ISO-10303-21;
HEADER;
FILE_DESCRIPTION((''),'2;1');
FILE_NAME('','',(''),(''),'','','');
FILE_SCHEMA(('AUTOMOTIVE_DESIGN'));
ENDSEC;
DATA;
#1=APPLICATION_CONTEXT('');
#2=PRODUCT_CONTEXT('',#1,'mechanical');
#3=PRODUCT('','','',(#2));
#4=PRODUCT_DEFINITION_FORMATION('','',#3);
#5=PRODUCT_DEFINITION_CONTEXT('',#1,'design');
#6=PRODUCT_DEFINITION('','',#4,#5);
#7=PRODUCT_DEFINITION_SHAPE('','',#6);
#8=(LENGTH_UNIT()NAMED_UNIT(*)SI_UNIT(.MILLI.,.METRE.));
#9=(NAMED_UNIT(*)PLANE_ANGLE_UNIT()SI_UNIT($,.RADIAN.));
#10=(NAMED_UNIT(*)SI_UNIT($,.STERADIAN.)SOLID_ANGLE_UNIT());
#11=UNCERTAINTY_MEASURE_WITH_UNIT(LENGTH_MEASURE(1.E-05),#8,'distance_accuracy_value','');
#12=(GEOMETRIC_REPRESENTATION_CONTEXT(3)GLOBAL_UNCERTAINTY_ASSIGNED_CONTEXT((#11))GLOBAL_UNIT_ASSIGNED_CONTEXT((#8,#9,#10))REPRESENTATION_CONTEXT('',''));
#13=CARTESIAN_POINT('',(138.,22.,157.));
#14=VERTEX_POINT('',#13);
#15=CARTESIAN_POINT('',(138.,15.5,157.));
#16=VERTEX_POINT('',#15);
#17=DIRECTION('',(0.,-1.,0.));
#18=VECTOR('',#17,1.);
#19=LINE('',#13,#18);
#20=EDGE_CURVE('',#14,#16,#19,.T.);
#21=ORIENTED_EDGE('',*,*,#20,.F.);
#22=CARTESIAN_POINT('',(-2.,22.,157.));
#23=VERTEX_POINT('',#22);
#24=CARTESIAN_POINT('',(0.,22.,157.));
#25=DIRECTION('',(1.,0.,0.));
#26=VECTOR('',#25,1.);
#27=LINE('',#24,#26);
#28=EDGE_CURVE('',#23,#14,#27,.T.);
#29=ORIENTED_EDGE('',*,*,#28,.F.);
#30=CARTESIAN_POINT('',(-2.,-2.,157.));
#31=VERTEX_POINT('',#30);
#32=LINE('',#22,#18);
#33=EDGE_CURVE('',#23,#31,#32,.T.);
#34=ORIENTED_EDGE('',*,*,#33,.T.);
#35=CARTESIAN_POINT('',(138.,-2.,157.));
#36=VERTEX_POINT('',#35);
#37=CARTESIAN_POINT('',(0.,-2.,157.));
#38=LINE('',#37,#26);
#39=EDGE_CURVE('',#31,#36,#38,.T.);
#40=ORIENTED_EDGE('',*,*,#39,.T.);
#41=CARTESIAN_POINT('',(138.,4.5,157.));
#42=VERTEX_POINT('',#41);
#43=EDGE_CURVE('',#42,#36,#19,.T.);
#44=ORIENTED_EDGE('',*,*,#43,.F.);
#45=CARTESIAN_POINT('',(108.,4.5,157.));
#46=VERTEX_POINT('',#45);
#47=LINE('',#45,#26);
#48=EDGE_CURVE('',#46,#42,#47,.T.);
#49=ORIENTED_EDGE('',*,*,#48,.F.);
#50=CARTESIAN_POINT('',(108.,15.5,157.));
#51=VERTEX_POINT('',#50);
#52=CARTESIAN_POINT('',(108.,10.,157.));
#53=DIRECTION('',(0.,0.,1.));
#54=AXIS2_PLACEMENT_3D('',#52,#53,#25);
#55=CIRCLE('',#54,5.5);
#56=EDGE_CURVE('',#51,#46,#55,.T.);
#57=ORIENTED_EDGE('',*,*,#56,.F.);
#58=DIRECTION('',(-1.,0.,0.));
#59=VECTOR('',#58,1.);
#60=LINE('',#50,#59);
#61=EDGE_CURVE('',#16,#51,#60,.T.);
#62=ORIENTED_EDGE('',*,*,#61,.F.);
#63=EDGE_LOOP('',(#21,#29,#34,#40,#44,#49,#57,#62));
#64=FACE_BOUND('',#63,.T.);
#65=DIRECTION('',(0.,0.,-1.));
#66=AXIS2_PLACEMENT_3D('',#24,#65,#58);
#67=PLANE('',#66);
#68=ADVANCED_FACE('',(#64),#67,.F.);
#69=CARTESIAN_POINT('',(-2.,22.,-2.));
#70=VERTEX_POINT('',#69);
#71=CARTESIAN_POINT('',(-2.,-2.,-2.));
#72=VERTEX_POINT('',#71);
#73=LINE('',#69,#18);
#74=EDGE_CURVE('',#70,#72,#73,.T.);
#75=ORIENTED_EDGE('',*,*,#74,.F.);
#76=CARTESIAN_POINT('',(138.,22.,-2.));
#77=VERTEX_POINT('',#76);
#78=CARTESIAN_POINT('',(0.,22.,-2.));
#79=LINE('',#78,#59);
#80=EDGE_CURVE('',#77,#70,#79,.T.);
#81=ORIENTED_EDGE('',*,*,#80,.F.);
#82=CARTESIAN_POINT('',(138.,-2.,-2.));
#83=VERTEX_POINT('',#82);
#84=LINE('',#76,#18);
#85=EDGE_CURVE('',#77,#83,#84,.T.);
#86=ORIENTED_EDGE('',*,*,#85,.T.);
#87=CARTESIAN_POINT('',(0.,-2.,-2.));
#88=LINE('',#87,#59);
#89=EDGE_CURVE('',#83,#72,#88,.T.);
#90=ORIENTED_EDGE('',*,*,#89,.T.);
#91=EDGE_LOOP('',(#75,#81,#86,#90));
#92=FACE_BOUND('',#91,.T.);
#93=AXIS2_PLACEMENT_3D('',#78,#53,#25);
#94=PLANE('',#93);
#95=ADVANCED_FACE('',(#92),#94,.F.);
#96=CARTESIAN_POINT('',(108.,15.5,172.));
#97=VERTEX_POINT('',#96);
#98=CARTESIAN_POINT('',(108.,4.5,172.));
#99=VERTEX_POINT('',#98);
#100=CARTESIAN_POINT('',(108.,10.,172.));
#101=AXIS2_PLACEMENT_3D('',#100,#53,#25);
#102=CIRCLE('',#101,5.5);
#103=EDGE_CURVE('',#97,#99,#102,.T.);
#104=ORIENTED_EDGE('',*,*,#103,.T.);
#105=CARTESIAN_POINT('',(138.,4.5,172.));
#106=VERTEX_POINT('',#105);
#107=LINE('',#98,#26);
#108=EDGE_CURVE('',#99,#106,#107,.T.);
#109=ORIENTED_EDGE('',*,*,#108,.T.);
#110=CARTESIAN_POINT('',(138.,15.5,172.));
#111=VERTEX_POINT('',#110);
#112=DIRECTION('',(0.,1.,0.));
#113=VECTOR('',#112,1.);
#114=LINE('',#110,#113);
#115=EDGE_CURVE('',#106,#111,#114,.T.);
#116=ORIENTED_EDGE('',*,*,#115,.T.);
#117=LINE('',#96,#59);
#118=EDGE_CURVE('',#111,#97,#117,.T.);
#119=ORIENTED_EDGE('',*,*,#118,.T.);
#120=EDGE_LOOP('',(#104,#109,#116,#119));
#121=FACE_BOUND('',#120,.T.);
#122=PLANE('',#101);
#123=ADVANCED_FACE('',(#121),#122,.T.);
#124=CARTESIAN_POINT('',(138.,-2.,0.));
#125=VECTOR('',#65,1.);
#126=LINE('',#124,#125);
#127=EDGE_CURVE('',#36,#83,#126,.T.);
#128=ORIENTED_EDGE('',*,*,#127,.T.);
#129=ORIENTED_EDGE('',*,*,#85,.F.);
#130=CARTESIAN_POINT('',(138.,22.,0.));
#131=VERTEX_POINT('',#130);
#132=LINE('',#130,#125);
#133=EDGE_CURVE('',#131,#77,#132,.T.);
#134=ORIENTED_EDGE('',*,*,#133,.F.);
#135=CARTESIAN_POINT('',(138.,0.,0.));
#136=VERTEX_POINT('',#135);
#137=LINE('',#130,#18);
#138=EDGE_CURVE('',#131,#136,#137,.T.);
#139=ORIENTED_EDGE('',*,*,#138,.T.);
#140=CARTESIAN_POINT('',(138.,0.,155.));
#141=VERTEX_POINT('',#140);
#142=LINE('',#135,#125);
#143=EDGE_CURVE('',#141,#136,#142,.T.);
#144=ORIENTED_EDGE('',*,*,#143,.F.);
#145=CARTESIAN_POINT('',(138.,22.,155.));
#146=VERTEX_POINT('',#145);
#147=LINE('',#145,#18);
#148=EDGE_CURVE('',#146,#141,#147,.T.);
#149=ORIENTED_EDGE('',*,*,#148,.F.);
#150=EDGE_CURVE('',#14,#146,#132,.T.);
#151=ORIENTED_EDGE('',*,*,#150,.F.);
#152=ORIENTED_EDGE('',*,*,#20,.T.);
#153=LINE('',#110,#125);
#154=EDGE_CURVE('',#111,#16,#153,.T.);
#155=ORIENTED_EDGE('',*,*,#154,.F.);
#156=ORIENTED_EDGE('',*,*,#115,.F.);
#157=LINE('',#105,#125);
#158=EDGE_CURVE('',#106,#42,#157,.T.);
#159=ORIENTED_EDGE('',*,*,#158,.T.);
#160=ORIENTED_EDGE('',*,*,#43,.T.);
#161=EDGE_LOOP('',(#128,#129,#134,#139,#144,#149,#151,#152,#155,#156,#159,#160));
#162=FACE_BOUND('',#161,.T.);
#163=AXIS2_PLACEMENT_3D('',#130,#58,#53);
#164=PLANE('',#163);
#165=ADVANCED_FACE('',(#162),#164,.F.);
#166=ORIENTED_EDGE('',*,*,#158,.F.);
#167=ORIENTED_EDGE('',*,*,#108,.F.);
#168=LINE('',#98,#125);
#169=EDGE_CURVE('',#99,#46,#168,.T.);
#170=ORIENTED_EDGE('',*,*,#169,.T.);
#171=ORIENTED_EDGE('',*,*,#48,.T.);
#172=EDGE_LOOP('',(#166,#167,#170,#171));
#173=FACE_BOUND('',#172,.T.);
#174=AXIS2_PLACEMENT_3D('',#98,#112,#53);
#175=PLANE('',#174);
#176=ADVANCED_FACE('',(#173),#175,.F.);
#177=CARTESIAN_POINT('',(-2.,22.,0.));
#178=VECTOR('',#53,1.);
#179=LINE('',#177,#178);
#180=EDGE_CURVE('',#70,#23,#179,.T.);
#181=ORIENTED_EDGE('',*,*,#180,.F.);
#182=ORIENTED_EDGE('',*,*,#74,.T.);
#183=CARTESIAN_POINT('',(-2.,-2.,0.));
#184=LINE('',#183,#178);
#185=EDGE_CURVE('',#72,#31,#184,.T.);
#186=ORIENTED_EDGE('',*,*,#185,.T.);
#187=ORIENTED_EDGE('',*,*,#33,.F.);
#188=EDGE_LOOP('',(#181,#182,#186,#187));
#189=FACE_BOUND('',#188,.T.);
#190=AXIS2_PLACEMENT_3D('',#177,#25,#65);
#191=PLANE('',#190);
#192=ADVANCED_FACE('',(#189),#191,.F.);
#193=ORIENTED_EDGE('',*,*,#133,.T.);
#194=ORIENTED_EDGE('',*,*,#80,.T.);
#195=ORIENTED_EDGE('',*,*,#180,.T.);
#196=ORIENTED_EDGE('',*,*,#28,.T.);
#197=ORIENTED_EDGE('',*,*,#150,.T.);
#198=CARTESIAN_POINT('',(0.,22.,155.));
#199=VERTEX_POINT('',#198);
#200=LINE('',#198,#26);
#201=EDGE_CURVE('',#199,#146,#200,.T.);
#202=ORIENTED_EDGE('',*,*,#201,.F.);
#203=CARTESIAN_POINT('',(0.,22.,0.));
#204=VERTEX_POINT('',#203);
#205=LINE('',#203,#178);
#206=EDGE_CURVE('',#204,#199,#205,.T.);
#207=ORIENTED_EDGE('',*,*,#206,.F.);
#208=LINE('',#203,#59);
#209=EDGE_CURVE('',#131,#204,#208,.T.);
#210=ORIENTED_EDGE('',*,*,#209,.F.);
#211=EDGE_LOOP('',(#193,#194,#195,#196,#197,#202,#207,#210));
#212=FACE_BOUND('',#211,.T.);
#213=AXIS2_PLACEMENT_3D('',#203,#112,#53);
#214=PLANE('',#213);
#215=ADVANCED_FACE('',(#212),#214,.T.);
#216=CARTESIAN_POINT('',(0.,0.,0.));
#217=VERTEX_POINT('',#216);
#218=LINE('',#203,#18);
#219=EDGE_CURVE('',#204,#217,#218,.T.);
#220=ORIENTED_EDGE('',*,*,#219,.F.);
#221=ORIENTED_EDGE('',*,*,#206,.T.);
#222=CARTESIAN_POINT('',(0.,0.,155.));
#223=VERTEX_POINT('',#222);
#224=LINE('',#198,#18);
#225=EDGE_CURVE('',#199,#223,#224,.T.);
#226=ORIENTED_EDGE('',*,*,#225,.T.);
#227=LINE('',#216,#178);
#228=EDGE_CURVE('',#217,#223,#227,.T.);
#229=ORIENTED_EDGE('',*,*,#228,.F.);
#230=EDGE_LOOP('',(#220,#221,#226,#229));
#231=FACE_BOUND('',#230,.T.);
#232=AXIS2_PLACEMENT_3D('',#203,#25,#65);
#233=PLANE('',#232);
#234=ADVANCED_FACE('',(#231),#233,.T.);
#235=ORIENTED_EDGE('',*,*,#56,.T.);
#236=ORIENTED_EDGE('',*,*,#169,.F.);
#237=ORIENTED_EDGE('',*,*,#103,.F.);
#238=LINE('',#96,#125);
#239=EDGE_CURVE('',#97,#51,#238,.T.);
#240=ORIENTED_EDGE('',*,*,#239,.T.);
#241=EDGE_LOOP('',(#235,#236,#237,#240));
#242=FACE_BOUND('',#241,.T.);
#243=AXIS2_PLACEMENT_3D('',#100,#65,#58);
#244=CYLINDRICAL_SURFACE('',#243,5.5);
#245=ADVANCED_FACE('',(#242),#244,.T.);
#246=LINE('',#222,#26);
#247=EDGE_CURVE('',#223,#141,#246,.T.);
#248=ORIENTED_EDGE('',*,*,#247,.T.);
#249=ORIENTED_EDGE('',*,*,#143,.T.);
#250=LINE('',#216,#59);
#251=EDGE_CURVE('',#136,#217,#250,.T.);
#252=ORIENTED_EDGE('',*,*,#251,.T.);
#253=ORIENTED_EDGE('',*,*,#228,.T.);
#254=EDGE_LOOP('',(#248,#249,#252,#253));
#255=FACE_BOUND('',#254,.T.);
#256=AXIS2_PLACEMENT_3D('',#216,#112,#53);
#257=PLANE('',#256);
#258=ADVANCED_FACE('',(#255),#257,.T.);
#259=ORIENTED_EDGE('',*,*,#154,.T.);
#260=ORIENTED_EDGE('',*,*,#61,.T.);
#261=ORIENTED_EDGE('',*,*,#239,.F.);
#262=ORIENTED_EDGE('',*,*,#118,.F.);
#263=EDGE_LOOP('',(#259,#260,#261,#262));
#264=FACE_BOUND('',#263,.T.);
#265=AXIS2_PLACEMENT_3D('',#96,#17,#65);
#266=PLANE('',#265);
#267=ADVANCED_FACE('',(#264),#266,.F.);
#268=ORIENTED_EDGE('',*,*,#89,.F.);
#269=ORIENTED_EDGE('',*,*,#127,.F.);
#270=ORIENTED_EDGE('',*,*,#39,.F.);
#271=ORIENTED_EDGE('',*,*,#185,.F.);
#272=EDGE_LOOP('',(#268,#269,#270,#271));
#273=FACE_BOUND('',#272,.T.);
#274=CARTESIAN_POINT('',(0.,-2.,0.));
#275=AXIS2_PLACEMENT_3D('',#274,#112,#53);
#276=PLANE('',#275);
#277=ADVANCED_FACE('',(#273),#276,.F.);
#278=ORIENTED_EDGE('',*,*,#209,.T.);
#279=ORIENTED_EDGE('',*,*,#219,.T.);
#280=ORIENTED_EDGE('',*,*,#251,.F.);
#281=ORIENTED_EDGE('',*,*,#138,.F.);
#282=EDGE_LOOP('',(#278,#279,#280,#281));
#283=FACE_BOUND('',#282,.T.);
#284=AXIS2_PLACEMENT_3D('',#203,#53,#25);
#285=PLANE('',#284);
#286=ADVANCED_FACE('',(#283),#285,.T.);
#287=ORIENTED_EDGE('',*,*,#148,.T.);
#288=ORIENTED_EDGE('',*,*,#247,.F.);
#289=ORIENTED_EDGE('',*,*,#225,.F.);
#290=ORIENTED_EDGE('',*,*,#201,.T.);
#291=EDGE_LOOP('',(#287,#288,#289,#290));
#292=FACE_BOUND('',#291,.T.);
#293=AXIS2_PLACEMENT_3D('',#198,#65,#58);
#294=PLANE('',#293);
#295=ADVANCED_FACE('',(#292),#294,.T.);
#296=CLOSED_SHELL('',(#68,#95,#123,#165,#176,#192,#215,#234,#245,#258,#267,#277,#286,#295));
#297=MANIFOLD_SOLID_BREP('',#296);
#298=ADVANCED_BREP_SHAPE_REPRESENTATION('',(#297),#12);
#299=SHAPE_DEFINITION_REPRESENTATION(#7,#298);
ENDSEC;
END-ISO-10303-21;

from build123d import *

# Parameters (mm, degrees)
SKETCH_1_W      = 138
SKETCH_1_H      = 155
EXTRUDE_1_DEPTH = 22
SHELL_1_T       = 2
EXTRUDE_2_DEPTH = 15


with BuildPart() as part:
    # 草图1 → 凸台-拉伸1 (new body)
    with BuildSketch(Plane(origin=(0, 0, 0), x_dir=(1, 0, 0), z_dir=(0, 1, 0))):
        with Locations((69, -77.5)):
            Rectangle(SKETCH_1_W, SKETCH_1_H)
    extrude(amount=EXTRUDE_1_DEPTH)

    # 抽壳1
    shell_1_openings = [part.faces().sort_by_distance(p)[0] for p in [
        (138, 11, 77.5),
        (69, 22, 77.5),
    ]]
    offset(amount=SHELL_1_T, openings=shell_1_openings, kind=Kind.INTERSECTION)

    # 草图2 → 凸台-拉伸2 (add)
    with BuildSketch(Plane.XY.offset(157)):
        with BuildLine():
            Line((108, 15.5), (138, 15.5))
            Line((138, 15.5), (138, 4.5))
            Line((138, 4.5), (108, 4.5))
            ThreePointArc((108, 4.5), (102.5, 10), (108, 15.5))
        make_face()
    extrude(amount=EXTRUDE_2_DEPTH)


solid = part.part
